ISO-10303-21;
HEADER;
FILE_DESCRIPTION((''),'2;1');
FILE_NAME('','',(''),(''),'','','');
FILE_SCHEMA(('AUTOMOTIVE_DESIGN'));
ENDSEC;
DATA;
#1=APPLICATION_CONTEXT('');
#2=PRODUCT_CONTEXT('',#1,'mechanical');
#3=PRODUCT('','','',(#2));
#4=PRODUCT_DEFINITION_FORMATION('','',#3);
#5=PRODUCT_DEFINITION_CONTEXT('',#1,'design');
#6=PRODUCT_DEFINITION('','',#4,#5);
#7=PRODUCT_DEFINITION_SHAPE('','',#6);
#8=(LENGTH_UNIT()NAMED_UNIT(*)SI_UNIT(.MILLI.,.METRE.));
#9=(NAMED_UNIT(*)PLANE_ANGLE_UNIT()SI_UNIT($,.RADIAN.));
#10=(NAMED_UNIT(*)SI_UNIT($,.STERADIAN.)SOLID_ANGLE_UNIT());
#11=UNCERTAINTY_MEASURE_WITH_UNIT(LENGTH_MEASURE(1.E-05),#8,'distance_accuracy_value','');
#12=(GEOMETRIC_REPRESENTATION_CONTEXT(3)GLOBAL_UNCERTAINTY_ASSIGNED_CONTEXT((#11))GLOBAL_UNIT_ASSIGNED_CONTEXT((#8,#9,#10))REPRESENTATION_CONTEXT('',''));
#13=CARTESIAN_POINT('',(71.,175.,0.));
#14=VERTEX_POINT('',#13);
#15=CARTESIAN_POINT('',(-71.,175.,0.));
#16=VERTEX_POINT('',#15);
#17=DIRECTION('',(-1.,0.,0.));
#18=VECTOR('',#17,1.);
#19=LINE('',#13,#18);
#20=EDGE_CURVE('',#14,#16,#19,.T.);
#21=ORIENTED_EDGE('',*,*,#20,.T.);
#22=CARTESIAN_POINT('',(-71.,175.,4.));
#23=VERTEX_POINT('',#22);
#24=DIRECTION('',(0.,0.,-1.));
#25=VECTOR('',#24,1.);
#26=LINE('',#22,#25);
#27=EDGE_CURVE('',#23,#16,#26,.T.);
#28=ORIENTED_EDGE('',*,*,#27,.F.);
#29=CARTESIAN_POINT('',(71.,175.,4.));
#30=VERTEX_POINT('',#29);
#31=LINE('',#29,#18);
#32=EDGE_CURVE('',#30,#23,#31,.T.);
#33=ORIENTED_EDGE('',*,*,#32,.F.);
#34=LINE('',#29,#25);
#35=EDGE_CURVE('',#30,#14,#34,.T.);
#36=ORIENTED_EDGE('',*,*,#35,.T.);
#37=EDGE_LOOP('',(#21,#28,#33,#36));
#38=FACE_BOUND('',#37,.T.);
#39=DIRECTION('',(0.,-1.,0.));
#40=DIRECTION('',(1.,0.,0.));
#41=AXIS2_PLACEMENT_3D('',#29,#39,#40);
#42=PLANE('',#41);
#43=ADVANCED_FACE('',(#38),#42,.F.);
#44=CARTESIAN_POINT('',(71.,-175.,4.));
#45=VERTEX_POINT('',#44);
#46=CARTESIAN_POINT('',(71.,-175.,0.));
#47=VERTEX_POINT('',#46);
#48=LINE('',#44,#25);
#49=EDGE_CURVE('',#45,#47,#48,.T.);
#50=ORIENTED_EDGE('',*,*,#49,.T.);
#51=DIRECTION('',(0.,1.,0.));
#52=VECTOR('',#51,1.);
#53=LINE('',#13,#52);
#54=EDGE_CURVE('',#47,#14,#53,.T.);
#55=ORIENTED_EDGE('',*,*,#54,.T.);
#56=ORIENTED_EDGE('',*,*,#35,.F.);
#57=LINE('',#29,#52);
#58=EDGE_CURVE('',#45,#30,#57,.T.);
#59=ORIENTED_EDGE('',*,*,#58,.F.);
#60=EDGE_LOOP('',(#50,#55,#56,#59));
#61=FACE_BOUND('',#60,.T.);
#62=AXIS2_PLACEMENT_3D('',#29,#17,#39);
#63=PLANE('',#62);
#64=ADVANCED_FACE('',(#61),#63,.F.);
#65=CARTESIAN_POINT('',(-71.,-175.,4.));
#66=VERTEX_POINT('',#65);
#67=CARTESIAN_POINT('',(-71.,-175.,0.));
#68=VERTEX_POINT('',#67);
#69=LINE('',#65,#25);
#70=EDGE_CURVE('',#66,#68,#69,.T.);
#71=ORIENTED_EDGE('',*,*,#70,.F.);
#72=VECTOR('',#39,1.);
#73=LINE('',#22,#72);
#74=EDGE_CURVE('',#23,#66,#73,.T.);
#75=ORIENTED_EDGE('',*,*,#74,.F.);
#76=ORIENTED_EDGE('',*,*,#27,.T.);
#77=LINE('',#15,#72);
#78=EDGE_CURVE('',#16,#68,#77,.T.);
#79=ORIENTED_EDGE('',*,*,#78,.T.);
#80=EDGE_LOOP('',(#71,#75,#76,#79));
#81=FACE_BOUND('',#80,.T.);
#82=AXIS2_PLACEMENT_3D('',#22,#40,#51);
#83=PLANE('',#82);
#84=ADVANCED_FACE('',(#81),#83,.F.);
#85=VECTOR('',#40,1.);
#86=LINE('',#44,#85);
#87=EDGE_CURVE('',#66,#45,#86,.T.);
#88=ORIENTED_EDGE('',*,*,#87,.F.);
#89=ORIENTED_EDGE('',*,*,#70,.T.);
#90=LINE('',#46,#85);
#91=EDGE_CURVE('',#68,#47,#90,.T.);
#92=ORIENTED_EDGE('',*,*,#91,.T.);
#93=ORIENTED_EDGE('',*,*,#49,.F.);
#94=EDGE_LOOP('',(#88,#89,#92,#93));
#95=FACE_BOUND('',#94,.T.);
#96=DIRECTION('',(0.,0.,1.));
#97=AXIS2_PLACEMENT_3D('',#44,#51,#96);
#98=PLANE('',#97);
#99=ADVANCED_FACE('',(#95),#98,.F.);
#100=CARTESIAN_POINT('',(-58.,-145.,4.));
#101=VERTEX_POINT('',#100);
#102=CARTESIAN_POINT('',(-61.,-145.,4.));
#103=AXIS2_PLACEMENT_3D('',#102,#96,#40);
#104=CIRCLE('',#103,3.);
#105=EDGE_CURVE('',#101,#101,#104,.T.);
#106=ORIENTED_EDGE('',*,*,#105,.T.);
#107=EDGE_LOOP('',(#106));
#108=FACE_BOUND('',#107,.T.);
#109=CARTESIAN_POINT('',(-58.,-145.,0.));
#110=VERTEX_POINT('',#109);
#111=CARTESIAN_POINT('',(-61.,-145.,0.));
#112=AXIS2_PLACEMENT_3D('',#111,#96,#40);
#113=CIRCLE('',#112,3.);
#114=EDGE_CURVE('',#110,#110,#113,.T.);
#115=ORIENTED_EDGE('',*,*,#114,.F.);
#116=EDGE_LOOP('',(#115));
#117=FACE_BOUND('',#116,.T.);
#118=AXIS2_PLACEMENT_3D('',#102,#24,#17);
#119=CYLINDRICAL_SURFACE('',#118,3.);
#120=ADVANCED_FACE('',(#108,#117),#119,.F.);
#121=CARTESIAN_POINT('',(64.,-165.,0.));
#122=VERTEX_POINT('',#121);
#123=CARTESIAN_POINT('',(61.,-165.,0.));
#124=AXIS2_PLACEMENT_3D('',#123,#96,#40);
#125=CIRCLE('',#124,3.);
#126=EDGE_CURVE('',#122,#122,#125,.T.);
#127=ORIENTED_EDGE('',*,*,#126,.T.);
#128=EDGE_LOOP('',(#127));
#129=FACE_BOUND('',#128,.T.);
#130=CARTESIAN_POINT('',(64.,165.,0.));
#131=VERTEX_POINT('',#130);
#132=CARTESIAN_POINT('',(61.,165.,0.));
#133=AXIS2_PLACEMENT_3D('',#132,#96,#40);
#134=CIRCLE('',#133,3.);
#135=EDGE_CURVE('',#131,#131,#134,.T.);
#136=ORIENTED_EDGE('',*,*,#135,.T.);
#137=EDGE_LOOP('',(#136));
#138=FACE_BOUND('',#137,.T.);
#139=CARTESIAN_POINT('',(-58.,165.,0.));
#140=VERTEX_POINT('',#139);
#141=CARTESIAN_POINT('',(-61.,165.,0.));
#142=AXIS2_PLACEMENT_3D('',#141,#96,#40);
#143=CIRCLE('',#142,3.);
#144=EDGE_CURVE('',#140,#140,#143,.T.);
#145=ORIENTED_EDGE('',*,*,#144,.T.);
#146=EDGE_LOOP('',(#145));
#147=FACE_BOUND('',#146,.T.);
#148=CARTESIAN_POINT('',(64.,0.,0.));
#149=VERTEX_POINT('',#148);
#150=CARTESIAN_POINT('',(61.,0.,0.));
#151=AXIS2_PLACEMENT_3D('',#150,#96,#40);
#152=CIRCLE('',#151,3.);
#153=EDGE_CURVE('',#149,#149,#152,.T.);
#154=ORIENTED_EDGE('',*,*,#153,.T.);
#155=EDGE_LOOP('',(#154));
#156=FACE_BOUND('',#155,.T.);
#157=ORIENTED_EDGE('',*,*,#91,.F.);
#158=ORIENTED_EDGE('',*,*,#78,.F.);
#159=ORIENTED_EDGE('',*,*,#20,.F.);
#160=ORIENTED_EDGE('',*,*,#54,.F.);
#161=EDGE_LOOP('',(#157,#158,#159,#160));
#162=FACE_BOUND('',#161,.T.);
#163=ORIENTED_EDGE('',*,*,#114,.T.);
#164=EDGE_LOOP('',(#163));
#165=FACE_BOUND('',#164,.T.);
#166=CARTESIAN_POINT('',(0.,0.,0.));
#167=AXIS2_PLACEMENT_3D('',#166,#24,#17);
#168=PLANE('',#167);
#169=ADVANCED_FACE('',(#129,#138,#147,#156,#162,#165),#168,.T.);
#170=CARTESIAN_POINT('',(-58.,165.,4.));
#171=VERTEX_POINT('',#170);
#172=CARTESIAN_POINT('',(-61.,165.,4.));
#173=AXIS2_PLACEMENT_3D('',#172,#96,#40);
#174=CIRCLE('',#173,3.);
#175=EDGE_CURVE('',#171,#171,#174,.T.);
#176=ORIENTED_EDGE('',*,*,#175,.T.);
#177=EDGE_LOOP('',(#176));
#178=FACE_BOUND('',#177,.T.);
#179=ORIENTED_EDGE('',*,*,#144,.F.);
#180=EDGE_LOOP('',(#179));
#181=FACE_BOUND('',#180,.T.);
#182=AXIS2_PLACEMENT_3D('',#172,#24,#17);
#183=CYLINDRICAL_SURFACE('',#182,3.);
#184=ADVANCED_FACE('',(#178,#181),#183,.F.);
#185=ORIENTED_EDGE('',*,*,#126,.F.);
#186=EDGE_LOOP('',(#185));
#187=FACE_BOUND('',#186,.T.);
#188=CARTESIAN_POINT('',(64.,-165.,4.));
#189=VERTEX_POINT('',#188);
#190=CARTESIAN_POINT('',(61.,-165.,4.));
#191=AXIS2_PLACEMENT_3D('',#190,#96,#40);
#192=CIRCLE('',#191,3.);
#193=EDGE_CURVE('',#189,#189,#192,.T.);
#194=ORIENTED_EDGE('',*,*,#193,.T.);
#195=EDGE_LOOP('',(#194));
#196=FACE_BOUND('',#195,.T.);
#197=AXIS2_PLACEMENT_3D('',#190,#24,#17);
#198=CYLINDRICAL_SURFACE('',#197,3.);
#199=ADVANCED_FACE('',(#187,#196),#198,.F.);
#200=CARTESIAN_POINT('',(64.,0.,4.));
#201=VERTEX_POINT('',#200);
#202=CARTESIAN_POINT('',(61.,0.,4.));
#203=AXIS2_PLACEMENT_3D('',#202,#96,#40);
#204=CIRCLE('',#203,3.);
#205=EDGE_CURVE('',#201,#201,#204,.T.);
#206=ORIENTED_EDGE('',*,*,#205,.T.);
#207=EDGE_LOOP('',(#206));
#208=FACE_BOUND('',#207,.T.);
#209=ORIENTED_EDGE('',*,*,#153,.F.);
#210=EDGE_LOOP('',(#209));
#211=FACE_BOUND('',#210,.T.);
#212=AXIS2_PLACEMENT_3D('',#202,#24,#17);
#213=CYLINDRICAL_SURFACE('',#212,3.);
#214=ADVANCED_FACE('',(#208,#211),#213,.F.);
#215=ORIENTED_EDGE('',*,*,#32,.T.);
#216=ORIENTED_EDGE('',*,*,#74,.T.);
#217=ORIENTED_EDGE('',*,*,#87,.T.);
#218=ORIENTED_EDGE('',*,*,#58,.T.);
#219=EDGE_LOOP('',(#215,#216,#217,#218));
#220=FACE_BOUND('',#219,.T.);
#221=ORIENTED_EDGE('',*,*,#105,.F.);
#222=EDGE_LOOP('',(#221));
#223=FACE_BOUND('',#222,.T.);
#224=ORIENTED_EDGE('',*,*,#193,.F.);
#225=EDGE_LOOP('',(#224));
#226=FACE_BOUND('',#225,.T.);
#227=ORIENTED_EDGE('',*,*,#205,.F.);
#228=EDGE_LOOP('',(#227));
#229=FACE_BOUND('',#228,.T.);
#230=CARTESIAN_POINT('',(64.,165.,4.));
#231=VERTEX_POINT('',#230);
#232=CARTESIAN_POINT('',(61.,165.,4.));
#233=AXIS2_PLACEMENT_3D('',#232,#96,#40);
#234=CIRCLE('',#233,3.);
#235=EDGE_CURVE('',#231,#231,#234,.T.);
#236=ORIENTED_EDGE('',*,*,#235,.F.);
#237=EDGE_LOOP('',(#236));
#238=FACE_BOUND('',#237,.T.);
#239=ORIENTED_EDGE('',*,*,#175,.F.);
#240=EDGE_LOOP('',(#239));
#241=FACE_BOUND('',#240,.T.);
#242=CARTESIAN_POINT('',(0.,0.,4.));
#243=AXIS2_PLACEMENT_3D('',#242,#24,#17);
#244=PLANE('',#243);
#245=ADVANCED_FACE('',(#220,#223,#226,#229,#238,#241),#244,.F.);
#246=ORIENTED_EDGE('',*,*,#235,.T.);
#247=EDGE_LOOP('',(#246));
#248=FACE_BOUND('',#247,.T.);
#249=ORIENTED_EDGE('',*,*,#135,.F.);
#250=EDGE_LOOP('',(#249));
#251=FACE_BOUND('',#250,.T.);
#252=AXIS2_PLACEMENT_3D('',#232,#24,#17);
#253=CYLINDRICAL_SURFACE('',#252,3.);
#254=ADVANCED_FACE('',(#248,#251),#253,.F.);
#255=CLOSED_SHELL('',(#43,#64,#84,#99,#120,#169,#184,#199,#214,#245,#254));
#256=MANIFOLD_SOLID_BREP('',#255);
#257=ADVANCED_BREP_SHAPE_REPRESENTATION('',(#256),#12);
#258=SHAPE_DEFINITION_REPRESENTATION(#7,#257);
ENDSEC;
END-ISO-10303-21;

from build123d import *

# Parameters (mm, degrees)
SKICA1_W                = 142
SKICA1_H                = 350
SKICA1_R                = 3
P_IDAT_VYSUNUT_M1_DEPTH = 4


with BuildPart() as part:
    # Skica1 → Přidat vysunutím1 (new body)
    with BuildSketch(Plane.XY):
        Rectangle(SKICA1_W, SKICA1_H)
        with Locations((61, 165)):
            Circle(SKICA1_R, mode=Mode.SUBTRACT)
        with Locations((61, -165)):
            Circle(SKICA1_R, mode=Mode.SUBTRACT)
        with Locations((61, 0)):
            Circle(SKICA1_R, mode=Mode.SUBTRACT)
        with Locations((-61, -145)):
            Circle(SKICA1_R, mode=Mode.SUBTRACT)
        with Locations((-61, 165)):
            Circle(SKICA1_R, mode=Mode.SUBTRACT)
    extrude(amount=P_IDAT_VYSUNUT_M1_DEPTH)


solid = part.part
